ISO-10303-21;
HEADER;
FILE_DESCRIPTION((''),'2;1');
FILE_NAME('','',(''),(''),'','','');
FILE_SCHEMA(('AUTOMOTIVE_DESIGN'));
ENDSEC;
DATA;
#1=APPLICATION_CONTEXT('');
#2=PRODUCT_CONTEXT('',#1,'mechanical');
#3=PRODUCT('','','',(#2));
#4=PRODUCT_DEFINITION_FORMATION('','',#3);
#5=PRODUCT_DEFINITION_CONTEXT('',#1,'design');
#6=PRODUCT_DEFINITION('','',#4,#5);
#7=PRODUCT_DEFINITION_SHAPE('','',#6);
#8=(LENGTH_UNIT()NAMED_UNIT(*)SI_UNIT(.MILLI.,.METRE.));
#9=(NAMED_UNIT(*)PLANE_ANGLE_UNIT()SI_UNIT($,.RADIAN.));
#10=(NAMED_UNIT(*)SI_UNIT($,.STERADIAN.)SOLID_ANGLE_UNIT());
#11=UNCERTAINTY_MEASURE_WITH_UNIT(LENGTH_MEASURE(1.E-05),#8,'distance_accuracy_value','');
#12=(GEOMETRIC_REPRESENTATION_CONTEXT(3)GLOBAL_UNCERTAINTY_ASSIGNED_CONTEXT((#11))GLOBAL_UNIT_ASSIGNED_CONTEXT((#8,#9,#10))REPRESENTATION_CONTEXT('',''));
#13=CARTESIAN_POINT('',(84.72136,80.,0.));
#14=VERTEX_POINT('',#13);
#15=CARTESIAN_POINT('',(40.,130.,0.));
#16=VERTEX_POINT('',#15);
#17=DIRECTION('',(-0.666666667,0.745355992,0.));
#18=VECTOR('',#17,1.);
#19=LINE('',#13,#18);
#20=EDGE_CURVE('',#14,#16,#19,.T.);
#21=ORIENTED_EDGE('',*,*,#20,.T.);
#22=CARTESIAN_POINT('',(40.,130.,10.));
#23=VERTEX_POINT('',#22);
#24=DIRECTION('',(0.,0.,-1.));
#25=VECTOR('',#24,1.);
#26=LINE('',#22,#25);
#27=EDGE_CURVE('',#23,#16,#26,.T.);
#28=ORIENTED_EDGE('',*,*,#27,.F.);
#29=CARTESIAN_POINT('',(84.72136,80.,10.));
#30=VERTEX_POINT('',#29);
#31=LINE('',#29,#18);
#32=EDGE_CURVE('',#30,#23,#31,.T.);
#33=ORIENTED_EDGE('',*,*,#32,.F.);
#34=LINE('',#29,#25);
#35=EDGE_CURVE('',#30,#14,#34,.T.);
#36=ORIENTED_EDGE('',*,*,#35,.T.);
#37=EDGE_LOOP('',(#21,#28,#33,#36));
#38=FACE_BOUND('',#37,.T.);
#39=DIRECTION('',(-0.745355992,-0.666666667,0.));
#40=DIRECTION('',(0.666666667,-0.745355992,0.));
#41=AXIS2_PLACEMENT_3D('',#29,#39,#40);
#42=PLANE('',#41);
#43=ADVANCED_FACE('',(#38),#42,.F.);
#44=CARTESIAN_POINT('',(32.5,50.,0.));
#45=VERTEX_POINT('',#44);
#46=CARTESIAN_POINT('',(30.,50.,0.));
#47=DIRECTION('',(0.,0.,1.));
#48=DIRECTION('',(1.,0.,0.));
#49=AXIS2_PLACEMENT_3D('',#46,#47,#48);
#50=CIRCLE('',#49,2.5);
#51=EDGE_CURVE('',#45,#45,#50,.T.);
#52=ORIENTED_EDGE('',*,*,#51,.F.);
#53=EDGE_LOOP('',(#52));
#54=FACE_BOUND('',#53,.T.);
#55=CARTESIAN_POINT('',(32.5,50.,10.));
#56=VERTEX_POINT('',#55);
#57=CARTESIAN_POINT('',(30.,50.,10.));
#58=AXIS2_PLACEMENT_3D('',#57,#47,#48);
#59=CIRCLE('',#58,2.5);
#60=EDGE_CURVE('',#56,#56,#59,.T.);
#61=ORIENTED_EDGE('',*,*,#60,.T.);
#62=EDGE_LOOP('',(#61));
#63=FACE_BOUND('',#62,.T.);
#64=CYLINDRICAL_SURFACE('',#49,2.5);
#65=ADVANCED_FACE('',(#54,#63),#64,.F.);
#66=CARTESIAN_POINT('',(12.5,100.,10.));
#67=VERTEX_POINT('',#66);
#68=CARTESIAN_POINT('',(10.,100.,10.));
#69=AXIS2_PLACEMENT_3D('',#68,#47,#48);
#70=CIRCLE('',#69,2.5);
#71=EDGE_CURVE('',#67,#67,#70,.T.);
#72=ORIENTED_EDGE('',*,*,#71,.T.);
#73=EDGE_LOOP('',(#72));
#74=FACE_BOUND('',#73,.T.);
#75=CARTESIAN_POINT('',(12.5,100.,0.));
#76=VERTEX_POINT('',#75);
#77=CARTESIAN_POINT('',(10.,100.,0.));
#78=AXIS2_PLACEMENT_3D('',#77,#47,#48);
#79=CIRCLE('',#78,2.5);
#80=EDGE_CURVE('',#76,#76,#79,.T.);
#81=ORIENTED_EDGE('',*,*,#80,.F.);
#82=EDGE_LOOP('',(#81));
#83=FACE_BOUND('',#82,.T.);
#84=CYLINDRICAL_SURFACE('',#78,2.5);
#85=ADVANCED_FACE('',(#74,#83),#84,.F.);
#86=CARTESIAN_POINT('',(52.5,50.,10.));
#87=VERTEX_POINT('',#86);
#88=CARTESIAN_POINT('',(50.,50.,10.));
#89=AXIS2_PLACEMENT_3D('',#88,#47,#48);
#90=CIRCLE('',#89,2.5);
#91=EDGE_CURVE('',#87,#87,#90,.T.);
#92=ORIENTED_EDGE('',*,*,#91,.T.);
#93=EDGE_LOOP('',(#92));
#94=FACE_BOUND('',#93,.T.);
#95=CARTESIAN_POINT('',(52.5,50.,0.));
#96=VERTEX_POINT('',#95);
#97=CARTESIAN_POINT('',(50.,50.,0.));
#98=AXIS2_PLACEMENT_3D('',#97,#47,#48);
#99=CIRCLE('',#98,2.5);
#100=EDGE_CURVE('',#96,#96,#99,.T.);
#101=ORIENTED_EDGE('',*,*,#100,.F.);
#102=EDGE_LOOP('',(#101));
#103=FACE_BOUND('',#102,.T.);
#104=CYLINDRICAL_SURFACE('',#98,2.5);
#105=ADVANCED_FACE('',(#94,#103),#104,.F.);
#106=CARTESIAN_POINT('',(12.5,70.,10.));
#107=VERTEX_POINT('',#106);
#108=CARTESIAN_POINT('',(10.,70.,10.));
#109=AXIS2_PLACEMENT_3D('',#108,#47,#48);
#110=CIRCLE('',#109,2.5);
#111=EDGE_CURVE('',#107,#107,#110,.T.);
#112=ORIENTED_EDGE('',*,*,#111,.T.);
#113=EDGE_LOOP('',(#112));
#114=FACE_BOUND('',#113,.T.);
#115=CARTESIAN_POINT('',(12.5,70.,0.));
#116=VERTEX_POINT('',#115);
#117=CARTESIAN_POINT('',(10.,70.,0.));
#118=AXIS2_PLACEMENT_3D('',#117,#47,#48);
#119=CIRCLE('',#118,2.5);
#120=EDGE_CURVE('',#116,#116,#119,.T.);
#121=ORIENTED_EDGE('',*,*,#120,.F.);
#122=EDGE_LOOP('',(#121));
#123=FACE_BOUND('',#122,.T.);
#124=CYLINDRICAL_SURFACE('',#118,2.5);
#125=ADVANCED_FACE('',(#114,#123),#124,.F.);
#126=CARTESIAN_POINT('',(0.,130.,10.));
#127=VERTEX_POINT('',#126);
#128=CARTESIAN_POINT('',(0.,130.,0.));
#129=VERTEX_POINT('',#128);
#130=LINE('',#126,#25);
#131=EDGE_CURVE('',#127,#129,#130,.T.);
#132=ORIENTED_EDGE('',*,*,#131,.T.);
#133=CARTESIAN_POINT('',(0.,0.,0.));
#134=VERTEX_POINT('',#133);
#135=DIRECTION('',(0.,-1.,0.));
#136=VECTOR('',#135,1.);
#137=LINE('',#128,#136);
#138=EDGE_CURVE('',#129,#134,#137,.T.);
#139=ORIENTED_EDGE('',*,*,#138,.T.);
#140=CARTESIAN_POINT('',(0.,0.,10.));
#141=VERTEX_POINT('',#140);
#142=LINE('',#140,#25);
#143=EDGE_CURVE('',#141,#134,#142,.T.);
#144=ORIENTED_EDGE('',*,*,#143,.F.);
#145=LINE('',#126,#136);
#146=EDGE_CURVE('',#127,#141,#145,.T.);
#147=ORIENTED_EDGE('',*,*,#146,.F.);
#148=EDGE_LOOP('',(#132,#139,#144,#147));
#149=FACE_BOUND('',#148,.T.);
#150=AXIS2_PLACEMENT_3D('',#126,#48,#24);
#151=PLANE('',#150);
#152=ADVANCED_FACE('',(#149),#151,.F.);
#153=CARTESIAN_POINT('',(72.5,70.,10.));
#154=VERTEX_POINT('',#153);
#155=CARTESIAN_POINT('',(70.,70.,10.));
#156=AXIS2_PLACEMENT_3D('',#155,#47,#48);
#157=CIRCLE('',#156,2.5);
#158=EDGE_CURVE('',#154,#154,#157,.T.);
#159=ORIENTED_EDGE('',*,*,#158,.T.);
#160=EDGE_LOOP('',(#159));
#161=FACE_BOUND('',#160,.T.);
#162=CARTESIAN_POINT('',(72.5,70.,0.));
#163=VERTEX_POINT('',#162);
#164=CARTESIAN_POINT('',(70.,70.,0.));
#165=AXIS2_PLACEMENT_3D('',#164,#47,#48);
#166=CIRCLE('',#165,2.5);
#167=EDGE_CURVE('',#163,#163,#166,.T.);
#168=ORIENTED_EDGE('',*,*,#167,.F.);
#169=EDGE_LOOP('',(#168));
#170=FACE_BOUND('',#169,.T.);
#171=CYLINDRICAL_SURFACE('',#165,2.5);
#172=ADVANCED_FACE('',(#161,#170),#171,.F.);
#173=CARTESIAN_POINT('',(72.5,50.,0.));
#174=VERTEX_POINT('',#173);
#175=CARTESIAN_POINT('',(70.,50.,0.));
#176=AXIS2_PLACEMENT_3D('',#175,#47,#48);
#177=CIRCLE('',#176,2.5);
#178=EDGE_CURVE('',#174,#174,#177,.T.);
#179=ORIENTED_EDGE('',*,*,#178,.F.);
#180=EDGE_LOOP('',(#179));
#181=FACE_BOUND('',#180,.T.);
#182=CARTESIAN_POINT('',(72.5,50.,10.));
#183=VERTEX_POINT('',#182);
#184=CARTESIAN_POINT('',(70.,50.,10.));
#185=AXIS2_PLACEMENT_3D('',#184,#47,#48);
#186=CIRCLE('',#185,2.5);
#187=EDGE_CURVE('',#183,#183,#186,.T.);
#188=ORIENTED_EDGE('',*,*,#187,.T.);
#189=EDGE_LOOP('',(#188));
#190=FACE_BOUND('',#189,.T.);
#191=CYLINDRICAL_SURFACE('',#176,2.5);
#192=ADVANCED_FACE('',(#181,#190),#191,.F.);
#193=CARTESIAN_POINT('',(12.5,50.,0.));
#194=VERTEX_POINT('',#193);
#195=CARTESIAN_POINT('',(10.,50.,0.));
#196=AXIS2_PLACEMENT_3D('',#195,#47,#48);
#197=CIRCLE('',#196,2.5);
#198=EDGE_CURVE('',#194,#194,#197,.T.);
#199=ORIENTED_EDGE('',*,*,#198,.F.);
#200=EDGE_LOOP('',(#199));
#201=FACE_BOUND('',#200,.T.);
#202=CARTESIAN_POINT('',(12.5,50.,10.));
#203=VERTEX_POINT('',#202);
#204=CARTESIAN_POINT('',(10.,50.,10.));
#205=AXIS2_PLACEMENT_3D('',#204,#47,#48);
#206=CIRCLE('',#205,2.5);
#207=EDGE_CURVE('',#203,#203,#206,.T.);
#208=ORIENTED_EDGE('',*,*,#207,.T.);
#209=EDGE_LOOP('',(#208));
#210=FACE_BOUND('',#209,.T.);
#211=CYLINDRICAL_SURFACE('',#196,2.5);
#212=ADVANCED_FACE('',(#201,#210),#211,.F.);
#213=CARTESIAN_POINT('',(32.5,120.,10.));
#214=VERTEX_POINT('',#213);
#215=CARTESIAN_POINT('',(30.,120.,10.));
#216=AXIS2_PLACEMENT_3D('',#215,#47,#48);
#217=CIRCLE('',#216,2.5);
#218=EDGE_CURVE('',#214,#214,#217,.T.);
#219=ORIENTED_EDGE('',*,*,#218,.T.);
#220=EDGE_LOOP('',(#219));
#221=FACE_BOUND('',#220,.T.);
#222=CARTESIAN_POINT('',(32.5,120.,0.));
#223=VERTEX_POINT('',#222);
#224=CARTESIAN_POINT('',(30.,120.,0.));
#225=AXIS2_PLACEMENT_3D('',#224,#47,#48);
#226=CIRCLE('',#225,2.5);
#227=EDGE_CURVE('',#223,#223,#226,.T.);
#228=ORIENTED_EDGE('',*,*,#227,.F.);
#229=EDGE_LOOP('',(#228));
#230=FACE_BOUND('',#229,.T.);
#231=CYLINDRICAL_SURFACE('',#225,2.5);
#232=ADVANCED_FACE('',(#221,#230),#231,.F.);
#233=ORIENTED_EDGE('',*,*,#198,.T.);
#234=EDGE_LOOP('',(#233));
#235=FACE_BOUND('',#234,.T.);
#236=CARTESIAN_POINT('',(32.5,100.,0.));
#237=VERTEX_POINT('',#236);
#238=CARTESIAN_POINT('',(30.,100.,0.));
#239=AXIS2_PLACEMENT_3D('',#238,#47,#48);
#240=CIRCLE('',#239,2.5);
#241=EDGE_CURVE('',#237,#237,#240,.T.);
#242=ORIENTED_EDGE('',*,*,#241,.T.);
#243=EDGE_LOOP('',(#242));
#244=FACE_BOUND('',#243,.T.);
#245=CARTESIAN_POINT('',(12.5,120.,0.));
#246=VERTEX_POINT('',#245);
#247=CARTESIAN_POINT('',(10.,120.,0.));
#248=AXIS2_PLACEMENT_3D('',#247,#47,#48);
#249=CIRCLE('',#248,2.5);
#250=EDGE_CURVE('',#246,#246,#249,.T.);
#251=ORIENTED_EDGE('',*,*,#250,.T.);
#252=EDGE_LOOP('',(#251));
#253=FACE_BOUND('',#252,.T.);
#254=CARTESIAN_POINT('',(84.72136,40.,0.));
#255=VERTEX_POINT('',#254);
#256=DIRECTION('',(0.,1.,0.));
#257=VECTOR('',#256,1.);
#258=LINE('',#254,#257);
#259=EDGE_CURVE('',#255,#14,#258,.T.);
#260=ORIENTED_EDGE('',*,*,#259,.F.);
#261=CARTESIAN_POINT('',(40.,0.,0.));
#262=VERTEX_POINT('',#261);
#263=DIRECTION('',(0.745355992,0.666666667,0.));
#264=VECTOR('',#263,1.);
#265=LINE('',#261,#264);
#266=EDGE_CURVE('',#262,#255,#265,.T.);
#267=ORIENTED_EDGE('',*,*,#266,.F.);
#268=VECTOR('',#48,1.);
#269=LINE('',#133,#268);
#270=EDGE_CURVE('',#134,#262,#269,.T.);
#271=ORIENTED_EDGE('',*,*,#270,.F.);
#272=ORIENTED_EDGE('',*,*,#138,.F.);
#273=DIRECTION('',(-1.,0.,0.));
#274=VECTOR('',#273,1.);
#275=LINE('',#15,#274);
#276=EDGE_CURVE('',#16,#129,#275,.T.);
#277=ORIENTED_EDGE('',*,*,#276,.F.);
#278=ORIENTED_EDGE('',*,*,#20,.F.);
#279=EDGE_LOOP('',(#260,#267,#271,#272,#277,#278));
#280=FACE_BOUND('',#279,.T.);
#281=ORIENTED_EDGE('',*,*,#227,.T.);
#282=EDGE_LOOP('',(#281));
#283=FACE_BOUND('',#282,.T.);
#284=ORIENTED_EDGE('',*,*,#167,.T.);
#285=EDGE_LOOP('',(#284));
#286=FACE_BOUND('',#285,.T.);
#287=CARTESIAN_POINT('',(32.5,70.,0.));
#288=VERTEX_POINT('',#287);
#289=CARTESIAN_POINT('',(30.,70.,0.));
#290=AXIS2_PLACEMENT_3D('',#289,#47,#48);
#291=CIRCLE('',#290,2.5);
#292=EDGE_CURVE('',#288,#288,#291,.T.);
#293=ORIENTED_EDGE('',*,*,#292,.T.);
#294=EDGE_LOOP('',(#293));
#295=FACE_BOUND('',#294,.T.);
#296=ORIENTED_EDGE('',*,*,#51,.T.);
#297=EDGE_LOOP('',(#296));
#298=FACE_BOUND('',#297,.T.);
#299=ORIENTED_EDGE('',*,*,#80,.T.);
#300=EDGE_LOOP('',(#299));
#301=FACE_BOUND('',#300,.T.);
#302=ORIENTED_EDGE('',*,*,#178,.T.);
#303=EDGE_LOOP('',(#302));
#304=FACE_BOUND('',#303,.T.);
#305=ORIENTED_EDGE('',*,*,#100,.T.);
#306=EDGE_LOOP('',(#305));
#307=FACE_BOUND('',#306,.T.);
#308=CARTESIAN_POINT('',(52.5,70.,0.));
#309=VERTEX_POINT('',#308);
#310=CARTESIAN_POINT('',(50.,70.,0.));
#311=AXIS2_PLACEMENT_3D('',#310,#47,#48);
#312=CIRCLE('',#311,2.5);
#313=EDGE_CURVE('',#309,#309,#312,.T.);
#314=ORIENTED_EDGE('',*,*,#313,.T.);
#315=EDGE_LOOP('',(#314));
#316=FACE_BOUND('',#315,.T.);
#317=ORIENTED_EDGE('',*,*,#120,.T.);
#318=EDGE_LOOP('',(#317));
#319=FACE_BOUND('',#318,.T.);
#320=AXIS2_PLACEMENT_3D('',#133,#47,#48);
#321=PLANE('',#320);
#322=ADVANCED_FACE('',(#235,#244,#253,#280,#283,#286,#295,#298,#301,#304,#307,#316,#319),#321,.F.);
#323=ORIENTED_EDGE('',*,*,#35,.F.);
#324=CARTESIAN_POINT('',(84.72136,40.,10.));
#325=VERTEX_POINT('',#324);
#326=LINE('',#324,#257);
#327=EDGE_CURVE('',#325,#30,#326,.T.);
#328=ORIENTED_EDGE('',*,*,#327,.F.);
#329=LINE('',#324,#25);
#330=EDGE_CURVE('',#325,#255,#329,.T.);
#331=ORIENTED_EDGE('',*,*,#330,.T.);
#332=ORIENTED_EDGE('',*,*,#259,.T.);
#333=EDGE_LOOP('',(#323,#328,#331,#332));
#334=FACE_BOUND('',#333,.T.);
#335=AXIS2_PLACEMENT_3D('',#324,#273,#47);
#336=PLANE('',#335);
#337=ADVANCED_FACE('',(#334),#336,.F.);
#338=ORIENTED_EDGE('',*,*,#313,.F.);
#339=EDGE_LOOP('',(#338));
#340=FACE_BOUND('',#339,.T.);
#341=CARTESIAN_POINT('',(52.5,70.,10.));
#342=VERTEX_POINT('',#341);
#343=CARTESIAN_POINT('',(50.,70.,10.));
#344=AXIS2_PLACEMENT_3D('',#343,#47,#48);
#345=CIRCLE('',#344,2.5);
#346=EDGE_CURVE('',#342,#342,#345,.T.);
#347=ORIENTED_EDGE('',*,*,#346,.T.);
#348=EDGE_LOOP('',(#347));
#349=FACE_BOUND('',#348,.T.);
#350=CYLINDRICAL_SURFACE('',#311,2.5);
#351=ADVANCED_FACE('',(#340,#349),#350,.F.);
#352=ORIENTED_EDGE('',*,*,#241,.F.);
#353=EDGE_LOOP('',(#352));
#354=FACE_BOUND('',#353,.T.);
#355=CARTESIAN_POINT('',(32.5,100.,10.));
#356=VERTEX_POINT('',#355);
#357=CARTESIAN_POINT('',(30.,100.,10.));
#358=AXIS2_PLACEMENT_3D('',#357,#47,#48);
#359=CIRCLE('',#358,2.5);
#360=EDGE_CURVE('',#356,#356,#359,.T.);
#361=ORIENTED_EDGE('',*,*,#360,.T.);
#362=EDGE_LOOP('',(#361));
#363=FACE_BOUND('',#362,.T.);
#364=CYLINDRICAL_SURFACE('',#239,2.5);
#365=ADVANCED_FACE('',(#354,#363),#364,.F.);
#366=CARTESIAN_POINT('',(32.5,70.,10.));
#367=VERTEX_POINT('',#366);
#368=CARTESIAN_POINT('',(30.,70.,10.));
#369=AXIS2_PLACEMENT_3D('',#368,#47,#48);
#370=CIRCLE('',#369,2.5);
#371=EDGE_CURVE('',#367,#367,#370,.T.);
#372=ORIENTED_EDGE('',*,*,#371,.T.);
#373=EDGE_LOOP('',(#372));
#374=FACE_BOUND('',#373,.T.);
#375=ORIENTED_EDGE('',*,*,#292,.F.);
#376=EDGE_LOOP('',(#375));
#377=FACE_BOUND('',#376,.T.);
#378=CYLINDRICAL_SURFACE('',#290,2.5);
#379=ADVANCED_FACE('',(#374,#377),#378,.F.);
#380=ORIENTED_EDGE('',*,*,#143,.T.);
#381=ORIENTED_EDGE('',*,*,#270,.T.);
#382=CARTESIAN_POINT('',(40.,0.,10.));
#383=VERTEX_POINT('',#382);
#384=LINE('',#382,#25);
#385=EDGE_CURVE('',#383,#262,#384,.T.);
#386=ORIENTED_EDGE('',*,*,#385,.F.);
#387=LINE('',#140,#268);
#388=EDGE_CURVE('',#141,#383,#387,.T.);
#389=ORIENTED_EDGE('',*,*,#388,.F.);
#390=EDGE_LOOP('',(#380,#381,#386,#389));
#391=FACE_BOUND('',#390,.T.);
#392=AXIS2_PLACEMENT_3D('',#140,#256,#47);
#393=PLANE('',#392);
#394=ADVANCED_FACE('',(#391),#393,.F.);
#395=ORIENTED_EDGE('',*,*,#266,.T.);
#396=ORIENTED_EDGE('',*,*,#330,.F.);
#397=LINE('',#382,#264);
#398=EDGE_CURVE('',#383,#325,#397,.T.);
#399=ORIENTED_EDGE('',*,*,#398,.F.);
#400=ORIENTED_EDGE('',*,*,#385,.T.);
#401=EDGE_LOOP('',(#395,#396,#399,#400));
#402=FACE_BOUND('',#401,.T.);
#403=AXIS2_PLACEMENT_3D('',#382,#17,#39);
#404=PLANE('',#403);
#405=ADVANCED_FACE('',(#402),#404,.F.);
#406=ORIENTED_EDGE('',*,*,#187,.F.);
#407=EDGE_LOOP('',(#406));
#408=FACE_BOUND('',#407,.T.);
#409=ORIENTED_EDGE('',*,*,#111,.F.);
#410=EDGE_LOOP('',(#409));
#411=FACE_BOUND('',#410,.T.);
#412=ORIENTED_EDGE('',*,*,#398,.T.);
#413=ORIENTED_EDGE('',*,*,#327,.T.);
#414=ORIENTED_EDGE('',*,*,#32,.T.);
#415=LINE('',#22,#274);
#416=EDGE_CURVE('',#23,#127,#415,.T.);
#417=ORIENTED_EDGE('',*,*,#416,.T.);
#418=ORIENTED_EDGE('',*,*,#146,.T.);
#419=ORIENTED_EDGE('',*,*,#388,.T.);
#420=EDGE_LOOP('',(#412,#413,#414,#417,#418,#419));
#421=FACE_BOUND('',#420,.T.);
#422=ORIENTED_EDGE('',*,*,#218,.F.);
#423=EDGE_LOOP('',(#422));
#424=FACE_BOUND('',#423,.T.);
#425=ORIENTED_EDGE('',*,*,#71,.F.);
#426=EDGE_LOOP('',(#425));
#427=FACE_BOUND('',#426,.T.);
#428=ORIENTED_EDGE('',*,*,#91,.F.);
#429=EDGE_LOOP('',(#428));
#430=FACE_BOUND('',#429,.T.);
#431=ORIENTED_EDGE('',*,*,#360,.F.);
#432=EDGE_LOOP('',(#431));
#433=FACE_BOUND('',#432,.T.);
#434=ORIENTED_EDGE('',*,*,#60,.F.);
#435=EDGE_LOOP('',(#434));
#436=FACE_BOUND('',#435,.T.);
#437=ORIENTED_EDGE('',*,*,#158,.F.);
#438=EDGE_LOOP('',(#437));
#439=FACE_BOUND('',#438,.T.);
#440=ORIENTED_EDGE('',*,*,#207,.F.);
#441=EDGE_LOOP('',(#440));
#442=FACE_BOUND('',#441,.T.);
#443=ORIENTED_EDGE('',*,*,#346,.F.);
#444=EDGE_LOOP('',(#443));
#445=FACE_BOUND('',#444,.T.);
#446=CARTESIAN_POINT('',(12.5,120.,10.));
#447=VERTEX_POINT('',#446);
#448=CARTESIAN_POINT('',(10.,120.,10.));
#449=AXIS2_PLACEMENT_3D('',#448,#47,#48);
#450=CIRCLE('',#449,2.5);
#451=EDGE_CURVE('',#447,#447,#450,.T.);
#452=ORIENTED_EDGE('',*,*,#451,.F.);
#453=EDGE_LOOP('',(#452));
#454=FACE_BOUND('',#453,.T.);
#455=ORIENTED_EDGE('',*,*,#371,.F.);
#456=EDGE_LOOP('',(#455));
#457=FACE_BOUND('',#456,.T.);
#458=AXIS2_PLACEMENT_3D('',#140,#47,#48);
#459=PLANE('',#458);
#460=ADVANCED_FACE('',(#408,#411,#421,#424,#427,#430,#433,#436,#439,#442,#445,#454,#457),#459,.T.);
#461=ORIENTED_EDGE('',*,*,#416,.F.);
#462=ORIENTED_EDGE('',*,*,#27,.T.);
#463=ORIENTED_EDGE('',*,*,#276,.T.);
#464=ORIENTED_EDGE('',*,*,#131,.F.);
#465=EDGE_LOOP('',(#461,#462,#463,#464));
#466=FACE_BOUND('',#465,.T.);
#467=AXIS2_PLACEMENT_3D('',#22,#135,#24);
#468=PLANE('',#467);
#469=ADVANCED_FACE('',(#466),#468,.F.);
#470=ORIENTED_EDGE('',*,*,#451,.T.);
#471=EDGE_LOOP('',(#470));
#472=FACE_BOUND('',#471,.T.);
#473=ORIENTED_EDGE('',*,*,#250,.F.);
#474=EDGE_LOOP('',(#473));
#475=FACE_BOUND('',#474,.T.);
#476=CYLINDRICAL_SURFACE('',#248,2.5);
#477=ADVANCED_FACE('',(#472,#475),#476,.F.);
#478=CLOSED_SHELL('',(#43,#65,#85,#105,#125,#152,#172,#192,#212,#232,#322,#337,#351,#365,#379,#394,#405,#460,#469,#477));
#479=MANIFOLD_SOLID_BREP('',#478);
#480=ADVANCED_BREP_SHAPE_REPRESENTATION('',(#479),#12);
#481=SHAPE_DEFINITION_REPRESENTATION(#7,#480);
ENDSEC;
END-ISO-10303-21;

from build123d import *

# Parameters (mm, degrees)
BOSS_EXTRUDE1_DEPTH = 10
SKETCH2_R           = 2.5
CUT_EXTRUDE1_DEPTH  = 10


with BuildPart() as part:
    # Sketch1 → Boss-Extrude1 (new body)
    with BuildSketch(Plane.XY):
        Polygon((0, 0), (40, 0), (84.72135955, 40), (84.72135955, 80), (40, 130), (0, 130), align=None)
    extrude(amount=BOSS_EXTRUDE1_DEPTH)

    # Sketch2 → Cut-Extrude1 (cut)
    with BuildSketch(Plane.XY.offset(10)):
        with Locations((10, 120)):
            Circle(SKETCH2_R)
        with Locations((30, 120)):
            Circle(SKETCH2_R)
        with Locations((10, 100)):
            Circle(SKETCH2_R)
        with Locations((30, 100)):
            Circle(SKETCH2_R)
        with Locations((10, 70)):
            Circle(SKETCH2_R)
        with Locations((30, 70)):
            Circle(SKETCH2_R)
        with Locations((10, 50)):
            Circle(SKETCH2_R)
        with Locations((30, 50)):
            Circle(SKETCH2_R)
        with Locations((50, 70)):
            Circle(SKETCH2_R)
        with Locations((70, 70)):
            Circle(SKETCH2_R)
        with Locations((50, 50)):
            Circle(SKETCH2_R)
        with Locations((70, 50)):
            Circle(SKETCH2_R)
    extrude(amount=-CUT_EXTRUDE1_DEPTH, mode=Mode.SUBTRACT)


solid = part.part
